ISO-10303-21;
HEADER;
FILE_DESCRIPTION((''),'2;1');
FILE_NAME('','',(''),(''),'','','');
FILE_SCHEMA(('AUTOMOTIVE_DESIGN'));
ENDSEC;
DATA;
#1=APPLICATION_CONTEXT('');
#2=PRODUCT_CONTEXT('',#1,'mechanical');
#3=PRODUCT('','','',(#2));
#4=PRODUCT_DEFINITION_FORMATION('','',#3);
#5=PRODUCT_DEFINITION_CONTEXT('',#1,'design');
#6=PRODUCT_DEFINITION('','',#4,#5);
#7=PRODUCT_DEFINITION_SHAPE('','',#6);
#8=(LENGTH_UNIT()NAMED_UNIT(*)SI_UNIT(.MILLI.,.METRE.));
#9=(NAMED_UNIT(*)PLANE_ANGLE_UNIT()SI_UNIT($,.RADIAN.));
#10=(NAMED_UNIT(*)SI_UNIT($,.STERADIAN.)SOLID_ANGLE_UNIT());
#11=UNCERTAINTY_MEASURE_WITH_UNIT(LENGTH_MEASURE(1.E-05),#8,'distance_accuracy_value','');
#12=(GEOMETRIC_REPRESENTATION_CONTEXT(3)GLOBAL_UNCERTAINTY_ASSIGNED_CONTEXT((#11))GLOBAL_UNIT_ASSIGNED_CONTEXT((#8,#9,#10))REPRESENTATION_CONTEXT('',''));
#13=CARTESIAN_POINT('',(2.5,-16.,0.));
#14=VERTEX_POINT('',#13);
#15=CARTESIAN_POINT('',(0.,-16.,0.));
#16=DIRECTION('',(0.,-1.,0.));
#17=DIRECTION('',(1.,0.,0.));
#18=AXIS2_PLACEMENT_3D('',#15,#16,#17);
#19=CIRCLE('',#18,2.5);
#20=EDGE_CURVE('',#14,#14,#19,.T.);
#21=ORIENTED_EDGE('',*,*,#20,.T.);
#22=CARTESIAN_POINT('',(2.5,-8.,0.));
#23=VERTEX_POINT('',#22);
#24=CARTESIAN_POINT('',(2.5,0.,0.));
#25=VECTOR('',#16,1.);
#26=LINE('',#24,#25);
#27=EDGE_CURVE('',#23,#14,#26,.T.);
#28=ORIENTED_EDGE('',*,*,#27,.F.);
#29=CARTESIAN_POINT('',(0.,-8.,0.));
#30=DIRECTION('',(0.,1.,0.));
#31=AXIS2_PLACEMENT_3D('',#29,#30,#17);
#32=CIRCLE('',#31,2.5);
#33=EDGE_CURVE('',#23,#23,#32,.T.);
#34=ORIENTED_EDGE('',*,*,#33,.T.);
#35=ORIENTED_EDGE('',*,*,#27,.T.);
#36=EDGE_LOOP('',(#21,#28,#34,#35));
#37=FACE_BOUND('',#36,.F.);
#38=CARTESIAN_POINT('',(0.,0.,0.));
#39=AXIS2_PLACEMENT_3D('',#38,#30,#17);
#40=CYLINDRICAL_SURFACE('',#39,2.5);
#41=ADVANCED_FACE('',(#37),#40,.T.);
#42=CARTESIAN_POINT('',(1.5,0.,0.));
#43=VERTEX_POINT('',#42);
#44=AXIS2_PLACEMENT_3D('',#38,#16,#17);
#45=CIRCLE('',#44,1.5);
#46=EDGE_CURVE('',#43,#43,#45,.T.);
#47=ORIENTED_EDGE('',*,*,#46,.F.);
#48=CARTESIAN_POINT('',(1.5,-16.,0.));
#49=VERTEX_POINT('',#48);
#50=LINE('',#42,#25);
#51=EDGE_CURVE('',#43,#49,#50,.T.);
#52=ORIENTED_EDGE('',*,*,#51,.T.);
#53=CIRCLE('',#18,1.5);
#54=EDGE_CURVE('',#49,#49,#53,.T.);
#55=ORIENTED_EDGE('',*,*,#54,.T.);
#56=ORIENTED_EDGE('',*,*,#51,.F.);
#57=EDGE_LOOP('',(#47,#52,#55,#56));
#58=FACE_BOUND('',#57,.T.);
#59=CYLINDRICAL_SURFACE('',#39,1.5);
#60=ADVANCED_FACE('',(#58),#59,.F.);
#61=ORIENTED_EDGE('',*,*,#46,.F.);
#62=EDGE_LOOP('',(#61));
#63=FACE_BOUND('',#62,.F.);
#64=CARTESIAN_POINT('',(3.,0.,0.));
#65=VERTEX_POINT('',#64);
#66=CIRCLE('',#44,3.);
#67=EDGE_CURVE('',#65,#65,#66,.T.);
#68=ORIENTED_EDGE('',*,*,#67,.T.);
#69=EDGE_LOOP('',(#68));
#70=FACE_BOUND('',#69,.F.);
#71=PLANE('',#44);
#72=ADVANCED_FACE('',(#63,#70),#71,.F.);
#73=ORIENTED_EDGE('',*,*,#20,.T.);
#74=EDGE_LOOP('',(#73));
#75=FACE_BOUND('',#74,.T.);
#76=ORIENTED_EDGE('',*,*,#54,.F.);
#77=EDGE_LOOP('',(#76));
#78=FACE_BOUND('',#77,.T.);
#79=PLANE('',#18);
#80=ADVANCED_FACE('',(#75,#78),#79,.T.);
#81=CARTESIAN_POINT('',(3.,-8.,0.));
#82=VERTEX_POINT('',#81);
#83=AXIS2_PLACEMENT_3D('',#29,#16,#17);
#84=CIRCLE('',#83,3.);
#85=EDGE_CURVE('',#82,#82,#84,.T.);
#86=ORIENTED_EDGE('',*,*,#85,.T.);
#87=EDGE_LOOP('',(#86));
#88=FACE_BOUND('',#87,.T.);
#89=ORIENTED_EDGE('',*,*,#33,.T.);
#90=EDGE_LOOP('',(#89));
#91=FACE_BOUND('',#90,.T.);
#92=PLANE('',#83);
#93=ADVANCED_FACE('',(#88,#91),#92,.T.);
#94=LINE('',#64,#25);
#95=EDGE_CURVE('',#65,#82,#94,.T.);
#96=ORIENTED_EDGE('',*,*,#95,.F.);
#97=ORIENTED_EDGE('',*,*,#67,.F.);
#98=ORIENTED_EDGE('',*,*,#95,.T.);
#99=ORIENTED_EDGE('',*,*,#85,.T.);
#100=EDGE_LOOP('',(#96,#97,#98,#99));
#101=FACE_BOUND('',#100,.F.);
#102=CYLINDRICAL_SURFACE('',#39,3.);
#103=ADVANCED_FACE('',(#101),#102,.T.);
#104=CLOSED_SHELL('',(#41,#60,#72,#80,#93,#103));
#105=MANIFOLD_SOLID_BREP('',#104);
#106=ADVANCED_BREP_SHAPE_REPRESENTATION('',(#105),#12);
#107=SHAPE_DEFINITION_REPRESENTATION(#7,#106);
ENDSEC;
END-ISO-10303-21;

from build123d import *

# Parameters (mm, degrees)
F0_R     = 3
F1_DEPTH = 8
F2_R     = 2.5
F3_DEPTH = 16
F4_R     = 1.5
F5_DEPTH = 16


with BuildPart() as f1:
    # F0 (on Front) → F1 (new body)
    with BuildSketch(Plane.XZ):
        Circle(F0_R)
    extrude(amount=F1_DEPTH)

    # F2 (on Front) → F3 (join)
    with BuildSketch(Plane.XZ):
        Circle(F2_R)
    extrude(amount=F3_DEPTH)

    # F4 (on Front) → F5 (cut)
    with BuildSketch(Plane.XZ):
        Circle(F4_R)
    extrude(amount=F5_DEPTH, mode=Mode.SUBTRACT)


solid = f1.part
